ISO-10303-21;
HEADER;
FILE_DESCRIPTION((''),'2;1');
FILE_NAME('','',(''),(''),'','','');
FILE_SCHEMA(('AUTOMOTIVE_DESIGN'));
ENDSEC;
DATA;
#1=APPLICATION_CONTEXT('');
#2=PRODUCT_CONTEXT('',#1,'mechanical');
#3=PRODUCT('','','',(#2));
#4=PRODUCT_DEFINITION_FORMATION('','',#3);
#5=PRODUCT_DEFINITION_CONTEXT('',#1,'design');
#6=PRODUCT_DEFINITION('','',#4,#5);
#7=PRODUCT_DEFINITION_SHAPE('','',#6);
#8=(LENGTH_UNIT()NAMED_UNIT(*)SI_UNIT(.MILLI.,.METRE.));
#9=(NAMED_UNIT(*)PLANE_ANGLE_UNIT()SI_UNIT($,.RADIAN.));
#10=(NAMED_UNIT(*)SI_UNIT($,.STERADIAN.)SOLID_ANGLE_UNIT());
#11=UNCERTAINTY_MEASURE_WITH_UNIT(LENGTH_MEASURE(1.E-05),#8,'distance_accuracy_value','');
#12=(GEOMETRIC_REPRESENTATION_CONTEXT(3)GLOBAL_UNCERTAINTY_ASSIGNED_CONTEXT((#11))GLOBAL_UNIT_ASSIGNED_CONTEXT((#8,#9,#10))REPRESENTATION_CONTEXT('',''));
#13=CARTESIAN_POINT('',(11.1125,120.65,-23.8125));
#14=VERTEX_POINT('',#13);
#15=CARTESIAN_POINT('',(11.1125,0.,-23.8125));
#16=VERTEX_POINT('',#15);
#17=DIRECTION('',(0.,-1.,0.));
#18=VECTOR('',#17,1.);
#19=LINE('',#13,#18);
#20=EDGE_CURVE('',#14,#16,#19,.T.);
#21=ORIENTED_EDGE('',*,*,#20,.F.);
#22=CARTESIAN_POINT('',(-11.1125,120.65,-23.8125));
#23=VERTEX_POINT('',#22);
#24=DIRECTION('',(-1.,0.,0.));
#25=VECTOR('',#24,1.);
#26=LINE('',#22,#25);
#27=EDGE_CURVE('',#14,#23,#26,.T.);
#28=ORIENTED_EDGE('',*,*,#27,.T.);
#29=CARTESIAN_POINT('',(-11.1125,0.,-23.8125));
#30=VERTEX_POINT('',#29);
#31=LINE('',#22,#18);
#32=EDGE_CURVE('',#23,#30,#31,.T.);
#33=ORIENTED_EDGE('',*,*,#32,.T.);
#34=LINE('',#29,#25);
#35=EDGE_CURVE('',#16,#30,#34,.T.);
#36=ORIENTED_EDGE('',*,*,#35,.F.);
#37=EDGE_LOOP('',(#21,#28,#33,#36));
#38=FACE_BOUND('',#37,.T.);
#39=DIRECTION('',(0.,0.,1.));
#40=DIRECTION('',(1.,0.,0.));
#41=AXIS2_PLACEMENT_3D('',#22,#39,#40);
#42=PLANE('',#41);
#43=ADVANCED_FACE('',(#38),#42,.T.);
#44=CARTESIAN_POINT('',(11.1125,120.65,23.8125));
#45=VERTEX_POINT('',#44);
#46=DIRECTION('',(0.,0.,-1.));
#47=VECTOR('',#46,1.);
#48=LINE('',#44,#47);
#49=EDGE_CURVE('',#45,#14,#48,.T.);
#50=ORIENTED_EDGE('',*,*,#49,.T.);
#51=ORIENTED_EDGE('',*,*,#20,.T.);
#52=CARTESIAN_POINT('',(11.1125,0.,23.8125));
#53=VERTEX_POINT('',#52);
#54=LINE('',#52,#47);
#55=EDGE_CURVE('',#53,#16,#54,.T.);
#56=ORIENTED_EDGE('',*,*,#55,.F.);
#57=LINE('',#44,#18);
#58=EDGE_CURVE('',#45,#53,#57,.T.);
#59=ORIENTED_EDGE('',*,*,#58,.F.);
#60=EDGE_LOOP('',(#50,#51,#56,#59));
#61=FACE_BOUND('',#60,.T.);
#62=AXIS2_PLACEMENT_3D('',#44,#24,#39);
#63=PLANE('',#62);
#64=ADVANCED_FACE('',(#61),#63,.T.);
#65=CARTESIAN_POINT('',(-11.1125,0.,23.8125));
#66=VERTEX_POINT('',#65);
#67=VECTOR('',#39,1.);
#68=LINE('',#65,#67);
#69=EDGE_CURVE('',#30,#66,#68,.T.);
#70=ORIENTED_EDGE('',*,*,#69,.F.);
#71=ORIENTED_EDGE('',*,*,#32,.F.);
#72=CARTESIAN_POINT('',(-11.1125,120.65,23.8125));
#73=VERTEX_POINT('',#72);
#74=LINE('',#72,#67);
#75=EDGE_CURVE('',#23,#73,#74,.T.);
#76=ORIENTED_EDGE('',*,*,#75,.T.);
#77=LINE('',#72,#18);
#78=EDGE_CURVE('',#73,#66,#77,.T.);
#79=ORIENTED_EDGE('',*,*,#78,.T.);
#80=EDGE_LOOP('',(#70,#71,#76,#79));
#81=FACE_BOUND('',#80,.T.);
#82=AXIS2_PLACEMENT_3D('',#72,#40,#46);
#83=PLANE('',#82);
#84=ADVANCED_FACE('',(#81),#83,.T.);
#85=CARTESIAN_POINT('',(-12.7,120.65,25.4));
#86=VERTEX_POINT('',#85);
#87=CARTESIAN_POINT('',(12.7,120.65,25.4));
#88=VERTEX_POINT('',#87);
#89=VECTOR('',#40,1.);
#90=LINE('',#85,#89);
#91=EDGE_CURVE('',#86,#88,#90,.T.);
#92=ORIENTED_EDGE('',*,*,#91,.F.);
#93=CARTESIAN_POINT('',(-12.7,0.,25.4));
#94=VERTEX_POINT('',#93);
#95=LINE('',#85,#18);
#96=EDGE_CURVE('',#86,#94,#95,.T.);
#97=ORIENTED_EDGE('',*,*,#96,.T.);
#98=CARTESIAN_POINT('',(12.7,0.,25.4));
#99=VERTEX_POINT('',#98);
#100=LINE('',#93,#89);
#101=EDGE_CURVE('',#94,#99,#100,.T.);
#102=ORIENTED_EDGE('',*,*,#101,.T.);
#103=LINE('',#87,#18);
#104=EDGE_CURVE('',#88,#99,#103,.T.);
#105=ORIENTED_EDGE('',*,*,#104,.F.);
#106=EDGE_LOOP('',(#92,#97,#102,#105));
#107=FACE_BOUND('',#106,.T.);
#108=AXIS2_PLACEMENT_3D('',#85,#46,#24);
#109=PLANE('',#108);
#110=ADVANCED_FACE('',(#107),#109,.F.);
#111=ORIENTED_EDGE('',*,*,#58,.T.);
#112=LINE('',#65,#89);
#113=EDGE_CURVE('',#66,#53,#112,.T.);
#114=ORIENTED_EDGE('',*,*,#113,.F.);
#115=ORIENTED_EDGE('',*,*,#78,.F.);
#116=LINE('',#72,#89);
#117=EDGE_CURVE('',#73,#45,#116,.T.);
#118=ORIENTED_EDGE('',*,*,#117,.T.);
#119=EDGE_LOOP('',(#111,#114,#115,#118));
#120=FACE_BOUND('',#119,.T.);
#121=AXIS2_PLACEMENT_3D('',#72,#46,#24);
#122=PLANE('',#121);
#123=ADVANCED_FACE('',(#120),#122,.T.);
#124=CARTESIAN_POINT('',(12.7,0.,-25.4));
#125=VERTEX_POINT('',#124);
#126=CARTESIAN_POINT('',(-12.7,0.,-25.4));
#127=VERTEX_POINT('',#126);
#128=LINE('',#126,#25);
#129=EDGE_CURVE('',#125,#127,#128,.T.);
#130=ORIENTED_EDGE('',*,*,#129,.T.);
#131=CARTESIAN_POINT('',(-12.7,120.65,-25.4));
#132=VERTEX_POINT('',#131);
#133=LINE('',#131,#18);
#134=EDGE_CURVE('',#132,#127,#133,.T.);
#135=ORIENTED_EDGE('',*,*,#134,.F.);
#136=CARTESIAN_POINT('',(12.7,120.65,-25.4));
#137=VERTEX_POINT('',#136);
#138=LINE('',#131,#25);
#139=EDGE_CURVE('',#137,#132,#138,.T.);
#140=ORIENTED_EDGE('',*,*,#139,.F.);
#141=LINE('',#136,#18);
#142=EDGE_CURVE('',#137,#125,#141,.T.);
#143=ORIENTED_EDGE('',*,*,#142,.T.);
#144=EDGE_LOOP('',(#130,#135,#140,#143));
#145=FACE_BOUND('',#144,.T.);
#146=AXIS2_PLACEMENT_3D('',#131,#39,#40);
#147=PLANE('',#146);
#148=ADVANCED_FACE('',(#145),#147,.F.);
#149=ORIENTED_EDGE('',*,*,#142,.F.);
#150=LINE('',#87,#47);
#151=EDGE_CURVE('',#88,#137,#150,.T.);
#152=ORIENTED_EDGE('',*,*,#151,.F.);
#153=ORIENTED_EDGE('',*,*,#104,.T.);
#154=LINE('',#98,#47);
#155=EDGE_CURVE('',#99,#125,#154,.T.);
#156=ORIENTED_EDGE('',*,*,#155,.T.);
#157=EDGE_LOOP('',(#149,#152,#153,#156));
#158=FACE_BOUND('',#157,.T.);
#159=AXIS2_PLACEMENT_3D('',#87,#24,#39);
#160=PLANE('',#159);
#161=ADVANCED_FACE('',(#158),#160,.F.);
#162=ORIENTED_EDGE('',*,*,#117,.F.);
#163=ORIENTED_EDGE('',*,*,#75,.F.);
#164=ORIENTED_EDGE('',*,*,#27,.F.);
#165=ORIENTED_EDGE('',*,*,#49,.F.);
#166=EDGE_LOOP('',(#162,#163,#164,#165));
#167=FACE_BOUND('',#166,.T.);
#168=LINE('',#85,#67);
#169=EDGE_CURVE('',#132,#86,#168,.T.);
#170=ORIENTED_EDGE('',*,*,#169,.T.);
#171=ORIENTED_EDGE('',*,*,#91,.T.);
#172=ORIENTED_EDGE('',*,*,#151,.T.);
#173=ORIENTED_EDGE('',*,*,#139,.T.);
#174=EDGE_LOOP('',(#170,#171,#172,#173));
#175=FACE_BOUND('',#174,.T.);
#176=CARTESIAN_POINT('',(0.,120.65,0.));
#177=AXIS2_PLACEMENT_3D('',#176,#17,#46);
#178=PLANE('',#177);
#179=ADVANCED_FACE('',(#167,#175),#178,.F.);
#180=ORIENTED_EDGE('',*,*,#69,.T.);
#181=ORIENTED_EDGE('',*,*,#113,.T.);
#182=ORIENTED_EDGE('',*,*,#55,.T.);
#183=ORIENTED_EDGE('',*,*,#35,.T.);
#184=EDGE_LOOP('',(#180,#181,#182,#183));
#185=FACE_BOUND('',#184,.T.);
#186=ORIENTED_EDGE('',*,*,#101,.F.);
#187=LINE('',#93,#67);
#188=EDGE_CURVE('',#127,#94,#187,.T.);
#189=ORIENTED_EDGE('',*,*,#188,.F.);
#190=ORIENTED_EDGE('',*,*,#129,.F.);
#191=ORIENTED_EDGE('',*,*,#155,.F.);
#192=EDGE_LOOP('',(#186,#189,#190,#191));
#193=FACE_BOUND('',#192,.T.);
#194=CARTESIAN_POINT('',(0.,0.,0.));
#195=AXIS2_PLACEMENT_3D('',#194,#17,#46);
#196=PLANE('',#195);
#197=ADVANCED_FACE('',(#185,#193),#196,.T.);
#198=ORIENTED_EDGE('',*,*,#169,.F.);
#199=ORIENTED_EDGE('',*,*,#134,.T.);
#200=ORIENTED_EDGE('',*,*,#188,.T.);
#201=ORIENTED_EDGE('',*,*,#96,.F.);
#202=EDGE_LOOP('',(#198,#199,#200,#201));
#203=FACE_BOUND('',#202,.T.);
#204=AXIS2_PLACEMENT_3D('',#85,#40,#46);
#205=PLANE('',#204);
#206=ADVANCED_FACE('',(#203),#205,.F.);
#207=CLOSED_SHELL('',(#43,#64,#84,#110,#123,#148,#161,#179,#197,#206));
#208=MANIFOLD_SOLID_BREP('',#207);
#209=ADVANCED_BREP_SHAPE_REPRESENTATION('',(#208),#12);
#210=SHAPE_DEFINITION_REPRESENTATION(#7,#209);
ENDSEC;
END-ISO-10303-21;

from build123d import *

# Parameters (mm, degrees)
SKETCH1_W           = 25.4
SKETCH1_H           = 50.8
SKETCH1_W_2         = 22.225
SKETCH1_H_2         = 47.625
BOSS_EXTRUDE1_DEPTH = 120.65


with BuildPart() as part:
    # Sketch1 → Boss-Extrude1 (new body)
    with BuildSketch(Plane(origin=(0, 0, 0), x_dir=(1, 0, 0), z_dir=(0, 1, 0))):
        Rectangle(SKETCH1_W, SKETCH1_H)
        Rectangle(SKETCH1_W_2, SKETCH1_H_2, mode=Mode.SUBTRACT)
    extrude(amount=BOSS_EXTRUDE1_DEPTH)


solid = part.part
